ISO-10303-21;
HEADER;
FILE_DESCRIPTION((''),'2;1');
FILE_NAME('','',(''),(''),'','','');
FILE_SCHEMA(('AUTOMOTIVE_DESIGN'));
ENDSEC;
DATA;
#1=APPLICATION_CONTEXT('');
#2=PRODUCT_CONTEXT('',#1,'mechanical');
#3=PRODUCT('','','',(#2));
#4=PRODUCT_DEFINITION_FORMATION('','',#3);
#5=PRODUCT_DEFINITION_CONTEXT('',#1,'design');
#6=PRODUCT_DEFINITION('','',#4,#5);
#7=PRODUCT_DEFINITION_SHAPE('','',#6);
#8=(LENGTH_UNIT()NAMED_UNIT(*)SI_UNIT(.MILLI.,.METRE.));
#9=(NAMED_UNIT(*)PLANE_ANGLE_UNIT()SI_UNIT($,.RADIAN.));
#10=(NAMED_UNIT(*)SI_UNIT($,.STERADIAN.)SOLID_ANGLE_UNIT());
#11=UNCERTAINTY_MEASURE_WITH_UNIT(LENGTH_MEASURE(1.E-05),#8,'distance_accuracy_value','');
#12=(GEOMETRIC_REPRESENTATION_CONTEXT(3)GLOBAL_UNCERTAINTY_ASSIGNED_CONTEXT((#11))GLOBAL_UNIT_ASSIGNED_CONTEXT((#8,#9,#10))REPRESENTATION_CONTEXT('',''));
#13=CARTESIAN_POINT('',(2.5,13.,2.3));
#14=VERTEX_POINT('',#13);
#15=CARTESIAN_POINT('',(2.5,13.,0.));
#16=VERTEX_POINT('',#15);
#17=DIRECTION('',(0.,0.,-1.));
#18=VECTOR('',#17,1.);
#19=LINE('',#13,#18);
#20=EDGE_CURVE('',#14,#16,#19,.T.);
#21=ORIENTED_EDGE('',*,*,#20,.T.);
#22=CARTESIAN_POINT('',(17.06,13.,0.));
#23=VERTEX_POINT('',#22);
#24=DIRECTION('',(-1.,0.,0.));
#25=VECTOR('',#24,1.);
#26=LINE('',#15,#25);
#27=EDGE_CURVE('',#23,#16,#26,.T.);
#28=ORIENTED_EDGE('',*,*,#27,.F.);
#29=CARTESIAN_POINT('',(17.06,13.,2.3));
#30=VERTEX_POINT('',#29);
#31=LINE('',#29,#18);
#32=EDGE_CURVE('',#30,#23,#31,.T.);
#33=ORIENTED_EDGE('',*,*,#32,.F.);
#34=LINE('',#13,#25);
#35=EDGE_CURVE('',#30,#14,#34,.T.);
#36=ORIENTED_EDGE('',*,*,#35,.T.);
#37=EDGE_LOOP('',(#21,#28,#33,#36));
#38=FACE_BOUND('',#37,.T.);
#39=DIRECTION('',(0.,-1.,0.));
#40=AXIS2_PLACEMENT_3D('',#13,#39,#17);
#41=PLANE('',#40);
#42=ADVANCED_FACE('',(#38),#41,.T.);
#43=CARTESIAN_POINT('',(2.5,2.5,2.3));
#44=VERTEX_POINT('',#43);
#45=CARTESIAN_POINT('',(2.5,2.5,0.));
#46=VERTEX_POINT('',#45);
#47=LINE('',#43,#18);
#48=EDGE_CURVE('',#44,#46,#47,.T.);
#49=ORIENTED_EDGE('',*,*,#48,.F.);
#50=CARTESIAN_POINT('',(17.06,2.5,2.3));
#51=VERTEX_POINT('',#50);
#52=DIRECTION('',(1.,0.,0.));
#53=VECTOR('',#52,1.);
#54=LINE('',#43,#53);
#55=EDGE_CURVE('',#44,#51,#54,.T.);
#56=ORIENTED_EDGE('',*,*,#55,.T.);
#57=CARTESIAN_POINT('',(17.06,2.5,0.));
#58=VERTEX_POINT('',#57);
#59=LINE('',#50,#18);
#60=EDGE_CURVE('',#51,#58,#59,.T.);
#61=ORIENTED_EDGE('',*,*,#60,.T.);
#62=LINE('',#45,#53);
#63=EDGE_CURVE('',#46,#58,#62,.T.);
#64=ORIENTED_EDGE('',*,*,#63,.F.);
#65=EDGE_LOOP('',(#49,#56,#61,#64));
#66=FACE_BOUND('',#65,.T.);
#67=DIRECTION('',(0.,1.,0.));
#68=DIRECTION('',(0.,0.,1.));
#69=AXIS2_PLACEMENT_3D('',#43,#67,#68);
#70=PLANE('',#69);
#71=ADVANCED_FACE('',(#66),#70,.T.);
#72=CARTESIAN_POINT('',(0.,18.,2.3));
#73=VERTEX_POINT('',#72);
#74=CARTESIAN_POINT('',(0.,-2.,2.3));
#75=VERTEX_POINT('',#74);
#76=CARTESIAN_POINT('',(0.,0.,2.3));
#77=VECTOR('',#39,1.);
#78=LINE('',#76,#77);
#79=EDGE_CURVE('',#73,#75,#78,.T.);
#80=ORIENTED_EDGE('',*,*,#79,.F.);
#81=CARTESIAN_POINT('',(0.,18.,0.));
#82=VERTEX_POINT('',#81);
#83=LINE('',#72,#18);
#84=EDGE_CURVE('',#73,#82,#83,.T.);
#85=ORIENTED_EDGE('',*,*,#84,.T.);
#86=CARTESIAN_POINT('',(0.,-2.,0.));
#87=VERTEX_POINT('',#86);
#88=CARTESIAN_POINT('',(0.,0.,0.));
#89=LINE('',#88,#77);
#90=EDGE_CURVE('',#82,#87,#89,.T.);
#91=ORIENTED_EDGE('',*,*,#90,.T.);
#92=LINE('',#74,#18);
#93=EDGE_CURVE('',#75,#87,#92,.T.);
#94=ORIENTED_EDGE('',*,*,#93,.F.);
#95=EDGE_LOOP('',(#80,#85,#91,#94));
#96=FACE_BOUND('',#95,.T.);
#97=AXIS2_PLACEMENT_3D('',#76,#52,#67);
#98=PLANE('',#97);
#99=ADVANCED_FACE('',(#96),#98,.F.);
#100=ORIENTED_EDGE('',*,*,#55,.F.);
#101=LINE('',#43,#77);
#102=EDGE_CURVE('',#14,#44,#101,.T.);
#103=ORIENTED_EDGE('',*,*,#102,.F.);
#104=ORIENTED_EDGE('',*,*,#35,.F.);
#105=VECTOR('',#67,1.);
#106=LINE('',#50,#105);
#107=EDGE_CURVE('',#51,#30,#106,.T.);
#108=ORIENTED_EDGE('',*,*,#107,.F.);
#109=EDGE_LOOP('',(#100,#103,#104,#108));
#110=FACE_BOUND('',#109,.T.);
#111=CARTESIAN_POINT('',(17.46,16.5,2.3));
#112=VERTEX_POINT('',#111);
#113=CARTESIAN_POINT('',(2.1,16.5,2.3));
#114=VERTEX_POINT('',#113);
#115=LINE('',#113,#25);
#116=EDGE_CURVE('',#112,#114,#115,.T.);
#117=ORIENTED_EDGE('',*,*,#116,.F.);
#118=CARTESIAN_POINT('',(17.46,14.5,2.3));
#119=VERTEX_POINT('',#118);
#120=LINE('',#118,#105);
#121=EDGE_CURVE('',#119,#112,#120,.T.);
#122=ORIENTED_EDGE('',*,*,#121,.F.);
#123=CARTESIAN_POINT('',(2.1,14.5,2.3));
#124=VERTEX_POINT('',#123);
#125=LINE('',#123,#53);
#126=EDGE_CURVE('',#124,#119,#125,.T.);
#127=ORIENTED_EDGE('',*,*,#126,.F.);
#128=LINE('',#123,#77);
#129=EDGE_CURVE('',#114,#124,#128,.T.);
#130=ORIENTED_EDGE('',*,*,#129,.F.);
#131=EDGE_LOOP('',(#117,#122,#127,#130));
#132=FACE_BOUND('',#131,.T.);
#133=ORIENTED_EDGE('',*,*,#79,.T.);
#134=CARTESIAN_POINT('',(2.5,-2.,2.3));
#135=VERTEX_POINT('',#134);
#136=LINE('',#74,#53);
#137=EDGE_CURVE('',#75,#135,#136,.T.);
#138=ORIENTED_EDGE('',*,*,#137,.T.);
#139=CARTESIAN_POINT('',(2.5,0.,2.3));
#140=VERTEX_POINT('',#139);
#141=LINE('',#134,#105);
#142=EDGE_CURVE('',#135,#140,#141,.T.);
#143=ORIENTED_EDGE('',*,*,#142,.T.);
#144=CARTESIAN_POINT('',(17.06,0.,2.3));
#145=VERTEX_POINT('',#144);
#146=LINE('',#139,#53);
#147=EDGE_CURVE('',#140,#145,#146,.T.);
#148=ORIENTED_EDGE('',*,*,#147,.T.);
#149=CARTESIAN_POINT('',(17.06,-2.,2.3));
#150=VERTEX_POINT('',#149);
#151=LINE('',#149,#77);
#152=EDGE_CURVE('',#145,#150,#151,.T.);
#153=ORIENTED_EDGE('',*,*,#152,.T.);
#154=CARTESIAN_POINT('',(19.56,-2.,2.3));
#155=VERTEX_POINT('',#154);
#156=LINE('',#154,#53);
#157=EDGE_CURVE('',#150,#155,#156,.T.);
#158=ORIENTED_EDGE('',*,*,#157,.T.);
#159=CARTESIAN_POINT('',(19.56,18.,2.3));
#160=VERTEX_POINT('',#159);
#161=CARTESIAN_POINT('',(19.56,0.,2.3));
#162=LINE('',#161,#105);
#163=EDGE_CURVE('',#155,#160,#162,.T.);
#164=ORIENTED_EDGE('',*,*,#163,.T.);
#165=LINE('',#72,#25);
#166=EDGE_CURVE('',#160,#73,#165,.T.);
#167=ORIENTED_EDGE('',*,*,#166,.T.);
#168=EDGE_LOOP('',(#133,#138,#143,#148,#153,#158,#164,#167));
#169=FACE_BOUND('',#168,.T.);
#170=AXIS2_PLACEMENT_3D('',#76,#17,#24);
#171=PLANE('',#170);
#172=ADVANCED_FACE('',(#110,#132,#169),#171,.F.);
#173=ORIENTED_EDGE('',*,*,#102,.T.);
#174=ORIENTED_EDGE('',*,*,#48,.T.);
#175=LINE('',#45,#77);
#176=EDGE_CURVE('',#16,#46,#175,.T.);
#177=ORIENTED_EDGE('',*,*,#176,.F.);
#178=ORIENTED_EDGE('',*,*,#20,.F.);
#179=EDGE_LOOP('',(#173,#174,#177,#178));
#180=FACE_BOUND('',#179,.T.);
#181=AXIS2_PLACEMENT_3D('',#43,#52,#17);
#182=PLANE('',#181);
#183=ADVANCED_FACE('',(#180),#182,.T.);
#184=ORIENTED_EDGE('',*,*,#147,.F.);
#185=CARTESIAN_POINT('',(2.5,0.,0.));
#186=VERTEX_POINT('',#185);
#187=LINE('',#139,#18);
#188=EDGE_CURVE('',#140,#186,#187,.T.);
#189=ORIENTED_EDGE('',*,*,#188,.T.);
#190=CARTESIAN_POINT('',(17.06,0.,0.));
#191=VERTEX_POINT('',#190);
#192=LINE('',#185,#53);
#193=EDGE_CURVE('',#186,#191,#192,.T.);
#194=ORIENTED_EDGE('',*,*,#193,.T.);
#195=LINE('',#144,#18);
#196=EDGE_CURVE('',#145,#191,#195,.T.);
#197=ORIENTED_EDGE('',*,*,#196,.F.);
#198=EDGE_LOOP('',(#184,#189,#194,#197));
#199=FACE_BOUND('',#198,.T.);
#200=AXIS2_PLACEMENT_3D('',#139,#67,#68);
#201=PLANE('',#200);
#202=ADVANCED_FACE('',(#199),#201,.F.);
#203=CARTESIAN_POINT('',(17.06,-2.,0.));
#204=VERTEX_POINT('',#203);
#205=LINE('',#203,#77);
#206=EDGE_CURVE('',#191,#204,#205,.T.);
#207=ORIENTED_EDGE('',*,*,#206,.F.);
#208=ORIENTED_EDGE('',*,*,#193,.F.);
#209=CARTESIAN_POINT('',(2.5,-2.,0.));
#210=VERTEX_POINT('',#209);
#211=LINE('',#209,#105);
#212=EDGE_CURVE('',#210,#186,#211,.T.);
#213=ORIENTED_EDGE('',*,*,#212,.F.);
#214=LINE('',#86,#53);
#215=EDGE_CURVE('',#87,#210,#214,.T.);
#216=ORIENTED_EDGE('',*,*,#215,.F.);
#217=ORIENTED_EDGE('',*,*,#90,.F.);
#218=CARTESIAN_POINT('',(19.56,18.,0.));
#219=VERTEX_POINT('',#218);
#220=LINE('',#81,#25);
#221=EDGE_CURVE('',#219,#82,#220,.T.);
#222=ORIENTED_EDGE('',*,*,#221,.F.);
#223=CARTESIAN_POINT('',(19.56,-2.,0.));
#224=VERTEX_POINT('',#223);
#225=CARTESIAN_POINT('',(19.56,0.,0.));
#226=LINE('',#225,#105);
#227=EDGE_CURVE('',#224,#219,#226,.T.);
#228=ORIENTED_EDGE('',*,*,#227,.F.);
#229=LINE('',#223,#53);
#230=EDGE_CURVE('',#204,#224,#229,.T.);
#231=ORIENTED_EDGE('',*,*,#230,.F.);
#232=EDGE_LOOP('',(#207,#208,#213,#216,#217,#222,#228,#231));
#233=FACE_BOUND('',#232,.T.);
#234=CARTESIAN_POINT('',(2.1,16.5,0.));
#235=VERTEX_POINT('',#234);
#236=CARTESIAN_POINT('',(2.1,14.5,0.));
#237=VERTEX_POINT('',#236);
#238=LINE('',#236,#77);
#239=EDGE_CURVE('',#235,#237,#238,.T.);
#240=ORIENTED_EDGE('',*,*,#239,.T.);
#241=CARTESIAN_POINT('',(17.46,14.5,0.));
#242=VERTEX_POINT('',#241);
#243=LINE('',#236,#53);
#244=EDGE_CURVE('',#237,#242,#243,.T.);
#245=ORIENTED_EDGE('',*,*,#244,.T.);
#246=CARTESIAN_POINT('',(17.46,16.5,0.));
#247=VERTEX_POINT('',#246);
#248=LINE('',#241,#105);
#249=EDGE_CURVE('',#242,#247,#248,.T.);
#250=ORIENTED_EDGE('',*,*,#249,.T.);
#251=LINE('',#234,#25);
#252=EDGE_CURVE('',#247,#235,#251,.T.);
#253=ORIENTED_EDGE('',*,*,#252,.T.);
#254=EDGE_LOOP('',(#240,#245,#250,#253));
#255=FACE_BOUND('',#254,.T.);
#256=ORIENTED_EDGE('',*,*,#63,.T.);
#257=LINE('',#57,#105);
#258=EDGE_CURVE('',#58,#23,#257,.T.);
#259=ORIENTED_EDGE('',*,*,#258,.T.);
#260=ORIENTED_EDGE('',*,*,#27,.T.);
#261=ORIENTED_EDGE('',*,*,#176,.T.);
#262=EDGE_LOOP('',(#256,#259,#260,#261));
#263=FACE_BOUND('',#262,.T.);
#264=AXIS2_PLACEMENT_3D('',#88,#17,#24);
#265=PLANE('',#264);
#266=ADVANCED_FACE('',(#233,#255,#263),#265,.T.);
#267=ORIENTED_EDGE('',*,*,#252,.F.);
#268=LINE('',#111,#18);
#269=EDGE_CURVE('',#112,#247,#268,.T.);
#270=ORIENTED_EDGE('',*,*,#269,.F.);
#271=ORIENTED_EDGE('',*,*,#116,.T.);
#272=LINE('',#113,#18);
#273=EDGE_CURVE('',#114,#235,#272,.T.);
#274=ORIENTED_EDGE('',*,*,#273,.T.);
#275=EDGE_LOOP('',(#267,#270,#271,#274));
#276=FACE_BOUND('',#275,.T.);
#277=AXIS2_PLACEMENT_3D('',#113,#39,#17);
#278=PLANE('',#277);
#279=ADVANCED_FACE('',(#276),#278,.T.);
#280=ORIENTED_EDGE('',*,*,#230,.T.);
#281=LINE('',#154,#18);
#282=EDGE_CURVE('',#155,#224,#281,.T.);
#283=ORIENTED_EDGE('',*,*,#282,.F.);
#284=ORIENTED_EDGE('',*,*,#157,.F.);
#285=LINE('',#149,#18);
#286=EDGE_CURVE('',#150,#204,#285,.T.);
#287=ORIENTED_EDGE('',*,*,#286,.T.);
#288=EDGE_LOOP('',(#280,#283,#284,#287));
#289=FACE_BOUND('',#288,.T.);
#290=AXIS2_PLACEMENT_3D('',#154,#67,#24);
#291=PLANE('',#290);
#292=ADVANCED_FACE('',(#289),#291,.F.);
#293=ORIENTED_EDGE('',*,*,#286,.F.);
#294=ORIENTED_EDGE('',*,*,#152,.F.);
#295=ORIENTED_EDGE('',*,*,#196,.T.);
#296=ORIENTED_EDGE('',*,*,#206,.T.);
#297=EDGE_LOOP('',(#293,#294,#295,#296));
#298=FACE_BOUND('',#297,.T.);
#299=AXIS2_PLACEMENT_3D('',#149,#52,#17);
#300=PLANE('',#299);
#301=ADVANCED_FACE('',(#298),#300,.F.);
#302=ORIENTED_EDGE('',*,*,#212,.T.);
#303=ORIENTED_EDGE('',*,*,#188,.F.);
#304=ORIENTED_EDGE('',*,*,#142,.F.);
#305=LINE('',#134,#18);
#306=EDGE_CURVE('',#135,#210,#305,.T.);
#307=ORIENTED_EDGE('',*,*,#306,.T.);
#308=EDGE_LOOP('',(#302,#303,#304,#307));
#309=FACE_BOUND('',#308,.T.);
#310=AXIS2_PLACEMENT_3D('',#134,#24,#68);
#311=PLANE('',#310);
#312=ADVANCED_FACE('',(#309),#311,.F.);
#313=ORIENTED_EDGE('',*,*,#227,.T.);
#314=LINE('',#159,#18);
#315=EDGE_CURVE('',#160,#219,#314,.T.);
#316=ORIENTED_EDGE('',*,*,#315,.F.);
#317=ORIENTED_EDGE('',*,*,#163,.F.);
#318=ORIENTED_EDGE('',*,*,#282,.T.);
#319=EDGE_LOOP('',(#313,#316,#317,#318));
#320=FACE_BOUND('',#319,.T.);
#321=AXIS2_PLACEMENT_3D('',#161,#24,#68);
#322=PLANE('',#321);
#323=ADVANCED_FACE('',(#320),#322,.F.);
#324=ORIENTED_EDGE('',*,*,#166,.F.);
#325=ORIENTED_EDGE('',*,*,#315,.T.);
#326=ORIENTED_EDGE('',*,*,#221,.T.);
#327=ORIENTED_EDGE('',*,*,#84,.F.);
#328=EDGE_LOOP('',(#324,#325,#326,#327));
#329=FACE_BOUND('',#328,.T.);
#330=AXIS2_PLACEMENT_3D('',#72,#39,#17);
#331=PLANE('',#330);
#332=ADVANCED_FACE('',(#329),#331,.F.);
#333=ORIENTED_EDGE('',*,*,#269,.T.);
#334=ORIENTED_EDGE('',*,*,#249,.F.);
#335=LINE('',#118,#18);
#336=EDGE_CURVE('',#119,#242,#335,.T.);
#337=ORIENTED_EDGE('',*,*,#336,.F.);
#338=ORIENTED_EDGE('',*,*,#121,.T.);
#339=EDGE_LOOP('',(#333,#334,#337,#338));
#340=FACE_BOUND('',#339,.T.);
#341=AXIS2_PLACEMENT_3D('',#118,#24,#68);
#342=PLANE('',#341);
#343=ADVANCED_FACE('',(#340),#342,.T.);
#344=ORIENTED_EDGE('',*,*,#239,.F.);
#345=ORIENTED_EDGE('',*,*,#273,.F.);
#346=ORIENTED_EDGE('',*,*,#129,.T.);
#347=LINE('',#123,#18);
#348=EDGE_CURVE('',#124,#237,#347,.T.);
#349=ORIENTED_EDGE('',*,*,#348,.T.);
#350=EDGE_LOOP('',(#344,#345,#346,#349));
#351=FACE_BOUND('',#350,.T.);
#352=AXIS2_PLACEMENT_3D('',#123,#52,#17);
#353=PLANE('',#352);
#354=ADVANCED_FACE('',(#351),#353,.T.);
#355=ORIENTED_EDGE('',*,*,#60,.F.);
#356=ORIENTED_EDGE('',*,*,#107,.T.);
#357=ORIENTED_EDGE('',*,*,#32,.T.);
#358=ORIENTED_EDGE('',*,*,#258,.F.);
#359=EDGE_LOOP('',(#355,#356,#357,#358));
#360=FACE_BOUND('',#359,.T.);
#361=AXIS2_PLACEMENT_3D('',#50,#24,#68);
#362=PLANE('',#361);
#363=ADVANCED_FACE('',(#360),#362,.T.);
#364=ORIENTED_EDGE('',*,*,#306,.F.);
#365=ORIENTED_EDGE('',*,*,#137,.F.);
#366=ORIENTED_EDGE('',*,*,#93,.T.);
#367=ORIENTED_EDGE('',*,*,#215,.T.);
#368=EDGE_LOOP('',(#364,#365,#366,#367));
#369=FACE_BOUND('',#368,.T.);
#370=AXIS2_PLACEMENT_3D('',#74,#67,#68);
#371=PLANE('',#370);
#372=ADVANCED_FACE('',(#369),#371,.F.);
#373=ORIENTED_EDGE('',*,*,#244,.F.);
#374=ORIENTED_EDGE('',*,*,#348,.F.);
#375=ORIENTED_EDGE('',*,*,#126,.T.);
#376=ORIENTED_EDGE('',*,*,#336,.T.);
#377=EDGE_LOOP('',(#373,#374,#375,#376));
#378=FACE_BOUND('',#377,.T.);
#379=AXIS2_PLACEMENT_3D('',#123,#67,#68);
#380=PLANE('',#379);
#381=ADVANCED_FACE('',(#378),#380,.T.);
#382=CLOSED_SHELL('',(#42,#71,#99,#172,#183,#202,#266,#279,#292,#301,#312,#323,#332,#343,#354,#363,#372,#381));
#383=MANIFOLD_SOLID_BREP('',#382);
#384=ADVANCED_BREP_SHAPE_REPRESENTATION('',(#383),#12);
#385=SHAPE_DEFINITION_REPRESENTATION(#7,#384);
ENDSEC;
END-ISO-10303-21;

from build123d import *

# Parameters (mm, degrees)
SKETCH1_W           = 14.56
SKETCH1_H           = 10.5
SKETCH1_W_2         = 15.36
SKETCH1_H_2         = 2
BOSS_EXTRUDE1_DEPTH = 2.3


with BuildPart() as part:
    # Sketch1 → Boss-Extrude1 (new body)
    with BuildSketch(Plane.XY):
        Polygon((0, 0), (0, -2), (2.5, -2), (2.5, 0), (17.06, 0), (17.06, -2), (19.56, -2), (19.56, 0), (19.56, 18), (0, 18), align=None)
        with Locations((9.78, 7.75)):
            Rectangle(SKETCH1_W, SKETCH1_H, mode=Mode.SUBTRACT)
        with Locations((9.78, 15.5)):
            Rectangle(SKETCH1_W_2, SKETCH1_H_2, mode=Mode.SUBTRACT)
    extrude(amount=BOSS_EXTRUDE1_DEPTH)


solid = part.part
